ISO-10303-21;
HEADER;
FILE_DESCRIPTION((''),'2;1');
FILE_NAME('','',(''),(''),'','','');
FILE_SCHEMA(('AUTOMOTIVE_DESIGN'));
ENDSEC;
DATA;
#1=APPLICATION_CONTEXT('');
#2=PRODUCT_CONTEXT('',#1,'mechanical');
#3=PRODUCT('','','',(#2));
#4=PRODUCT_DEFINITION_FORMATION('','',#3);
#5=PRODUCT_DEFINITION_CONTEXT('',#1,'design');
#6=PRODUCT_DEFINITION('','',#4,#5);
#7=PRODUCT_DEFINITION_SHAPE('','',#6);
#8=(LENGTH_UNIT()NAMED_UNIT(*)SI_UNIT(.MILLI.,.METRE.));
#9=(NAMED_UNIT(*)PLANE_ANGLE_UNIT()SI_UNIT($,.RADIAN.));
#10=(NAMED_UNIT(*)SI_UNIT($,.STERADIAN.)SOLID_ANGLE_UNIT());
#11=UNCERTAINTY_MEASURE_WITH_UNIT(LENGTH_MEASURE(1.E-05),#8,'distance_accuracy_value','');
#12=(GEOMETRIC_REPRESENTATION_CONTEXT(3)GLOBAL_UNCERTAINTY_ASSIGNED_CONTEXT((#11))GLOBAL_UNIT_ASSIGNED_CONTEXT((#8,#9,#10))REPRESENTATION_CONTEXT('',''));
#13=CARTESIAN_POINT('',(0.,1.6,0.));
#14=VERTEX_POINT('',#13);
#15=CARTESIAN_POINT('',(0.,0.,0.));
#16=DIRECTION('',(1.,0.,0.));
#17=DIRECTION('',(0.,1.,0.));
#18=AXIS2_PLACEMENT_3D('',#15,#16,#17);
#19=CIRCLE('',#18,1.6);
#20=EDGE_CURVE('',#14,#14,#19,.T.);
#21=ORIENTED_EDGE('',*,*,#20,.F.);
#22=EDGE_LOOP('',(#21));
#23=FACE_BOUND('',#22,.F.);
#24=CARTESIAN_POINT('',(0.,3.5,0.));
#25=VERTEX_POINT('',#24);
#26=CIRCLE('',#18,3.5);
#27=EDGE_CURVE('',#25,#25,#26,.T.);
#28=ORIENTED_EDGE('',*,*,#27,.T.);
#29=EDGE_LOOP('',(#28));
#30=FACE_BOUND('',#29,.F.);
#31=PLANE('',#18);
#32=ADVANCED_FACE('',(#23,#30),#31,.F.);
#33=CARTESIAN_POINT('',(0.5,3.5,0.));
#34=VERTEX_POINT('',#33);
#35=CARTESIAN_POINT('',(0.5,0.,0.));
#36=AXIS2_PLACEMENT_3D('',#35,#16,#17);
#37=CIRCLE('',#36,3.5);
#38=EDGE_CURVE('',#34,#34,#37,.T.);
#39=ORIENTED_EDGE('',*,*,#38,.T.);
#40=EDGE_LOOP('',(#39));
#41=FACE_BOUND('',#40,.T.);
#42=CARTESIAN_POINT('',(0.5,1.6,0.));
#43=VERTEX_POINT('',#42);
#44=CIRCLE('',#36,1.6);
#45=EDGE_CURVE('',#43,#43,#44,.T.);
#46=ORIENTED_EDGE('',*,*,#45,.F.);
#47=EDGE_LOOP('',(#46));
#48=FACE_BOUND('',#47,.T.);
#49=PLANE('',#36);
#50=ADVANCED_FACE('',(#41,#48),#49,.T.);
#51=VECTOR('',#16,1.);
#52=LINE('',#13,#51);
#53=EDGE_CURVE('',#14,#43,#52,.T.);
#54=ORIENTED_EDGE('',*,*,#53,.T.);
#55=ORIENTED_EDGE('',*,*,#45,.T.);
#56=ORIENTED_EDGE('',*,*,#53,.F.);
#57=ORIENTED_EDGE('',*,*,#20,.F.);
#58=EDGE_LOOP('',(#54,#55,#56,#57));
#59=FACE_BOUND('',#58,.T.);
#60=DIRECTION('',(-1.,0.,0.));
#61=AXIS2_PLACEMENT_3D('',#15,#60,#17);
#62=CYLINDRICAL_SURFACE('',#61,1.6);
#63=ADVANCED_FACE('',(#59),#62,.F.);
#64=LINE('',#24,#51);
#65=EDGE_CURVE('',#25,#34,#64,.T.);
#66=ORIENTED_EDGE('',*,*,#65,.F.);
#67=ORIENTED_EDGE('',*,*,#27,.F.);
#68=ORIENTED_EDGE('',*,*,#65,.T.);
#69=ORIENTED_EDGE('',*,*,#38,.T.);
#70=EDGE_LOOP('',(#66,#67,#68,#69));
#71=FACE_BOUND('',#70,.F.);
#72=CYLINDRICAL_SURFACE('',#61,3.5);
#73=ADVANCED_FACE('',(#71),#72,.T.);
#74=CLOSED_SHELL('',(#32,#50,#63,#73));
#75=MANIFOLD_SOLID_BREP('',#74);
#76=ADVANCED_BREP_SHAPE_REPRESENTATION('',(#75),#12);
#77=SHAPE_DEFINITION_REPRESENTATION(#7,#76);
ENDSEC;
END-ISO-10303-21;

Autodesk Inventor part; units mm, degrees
ref_plane "YZ Plane" through (0, 0, 0) normal (1, 0, 0) x (0, 1, 0)
ref_plane "XZ Plane" through (0, 0, 0) normal (0, 1, 0) x (-1, 0, 0)
sketch "Skizze" plane through (0, 0, 0) normal (1, 0, 0) x (0, 1, 0)
  circle A0 centre (0, 0) radius 3.5
  circle A1 centre (0, 0) radius 1.6
  dimension "d0" = 3.2
  dimension "d1" = 7
extrude "Körper" add sketch "Skizze" along normal blind 0.5
ref_plane "Work Plane1" through (0, 0, 0) normal (0, 0, 1) x (1, 0, 0)
equation "\"d0\" = SD1"
equation "\"d1\" = SD2"
equation "\"d2\" = SD"
equation "\"SD1\" = 3.2"
equation "\"SD2\" = 7"
equation "\"SD\" = 0.5"
equation "\"NND\" = 3"
properties part number "DIN 125-2 - A 3,2" material "Stahl, weich"
